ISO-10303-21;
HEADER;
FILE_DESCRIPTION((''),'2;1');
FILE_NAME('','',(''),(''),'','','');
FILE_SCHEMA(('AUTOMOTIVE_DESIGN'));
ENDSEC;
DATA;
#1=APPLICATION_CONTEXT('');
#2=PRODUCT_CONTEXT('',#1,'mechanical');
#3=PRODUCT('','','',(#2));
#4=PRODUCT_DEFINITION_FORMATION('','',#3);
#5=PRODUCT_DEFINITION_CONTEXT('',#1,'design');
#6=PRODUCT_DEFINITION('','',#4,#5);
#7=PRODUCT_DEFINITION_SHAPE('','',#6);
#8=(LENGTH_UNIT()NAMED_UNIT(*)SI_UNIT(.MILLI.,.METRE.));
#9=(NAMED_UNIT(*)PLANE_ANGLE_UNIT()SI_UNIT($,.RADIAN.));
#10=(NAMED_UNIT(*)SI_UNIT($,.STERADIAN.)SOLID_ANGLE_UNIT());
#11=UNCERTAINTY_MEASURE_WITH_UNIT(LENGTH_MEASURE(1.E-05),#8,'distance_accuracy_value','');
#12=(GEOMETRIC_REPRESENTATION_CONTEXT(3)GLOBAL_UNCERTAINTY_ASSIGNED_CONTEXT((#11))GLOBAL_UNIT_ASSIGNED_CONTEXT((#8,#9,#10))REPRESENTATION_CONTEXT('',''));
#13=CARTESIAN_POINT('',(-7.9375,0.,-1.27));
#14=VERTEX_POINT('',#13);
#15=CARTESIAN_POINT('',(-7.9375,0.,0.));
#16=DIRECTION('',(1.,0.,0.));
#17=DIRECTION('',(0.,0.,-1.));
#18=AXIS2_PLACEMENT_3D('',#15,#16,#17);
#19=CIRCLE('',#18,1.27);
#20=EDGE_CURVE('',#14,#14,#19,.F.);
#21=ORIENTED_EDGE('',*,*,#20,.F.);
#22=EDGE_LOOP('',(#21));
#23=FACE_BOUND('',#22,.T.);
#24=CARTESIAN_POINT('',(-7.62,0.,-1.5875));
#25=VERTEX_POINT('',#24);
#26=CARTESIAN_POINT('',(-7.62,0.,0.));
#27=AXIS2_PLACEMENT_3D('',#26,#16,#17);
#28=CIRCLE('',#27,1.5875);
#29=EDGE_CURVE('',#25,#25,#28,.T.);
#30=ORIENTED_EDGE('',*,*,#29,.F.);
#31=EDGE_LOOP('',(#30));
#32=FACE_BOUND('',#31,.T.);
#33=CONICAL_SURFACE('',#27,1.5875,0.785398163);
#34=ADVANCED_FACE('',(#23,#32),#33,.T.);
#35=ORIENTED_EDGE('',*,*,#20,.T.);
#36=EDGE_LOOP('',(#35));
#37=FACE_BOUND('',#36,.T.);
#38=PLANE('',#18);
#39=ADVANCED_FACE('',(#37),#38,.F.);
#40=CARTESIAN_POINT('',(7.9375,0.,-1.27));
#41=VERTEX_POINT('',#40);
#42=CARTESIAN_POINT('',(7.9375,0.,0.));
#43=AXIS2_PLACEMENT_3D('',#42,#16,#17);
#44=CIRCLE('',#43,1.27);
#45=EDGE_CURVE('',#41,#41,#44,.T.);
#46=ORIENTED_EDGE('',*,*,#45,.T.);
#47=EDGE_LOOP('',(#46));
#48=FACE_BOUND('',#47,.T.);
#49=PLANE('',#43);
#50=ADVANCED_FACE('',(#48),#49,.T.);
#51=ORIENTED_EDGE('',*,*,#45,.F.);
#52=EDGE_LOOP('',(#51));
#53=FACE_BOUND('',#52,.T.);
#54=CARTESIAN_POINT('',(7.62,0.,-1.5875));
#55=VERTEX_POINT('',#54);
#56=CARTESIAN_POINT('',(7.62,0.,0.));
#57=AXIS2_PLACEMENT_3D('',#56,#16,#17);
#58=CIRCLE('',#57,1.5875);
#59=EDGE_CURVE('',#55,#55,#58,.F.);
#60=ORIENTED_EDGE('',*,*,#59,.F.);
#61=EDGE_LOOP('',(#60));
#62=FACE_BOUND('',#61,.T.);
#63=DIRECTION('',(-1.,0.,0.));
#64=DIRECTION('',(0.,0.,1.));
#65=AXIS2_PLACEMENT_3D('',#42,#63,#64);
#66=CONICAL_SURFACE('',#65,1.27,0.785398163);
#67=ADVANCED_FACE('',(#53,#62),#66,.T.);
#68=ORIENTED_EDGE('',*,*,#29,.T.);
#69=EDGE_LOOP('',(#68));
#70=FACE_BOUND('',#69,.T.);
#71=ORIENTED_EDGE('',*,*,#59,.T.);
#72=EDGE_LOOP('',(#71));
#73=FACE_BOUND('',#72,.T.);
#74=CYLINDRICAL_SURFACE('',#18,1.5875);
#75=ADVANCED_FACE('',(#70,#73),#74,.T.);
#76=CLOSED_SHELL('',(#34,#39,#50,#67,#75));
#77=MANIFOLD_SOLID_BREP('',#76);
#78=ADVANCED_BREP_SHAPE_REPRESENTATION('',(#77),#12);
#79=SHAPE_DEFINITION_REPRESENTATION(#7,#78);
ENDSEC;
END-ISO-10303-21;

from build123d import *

# Parameters (mm, degrees)
SKETCH2_R           = 1.5875
EXTRUDE1_DEPTH      = 7.9375
EXTRUDE1_DEPTH_BACK = 7.9375
CHAMFER1_SIZE       = 0.3175


with BuildPart() as part:
    # Sketch2 → Extrude1 (new body, two sides)
    with BuildSketch(Plane(origin=(0, 0, 0), x_dir=(0, 0, -1), z_dir=(1, 0, 0))) as extrude1_sk:
        Circle(SKETCH2_R)
    extrude(amount=EXTRUDE1_DEPTH)
    extrude(extrude1_sk.sketch, amount=-EXTRUDE1_DEPTH_BACK)

    # Chamfer1
    chamfer1_edges = [part.edges().sort_by_distance(p)[0] for p in [
        (-7.9375, 0, 1.5875),
        (7.9375, 0, 1.5875),
    ]]
    chamfer(chamfer1_edges, length=CHAMFER1_SIZE)


solid = part.part
